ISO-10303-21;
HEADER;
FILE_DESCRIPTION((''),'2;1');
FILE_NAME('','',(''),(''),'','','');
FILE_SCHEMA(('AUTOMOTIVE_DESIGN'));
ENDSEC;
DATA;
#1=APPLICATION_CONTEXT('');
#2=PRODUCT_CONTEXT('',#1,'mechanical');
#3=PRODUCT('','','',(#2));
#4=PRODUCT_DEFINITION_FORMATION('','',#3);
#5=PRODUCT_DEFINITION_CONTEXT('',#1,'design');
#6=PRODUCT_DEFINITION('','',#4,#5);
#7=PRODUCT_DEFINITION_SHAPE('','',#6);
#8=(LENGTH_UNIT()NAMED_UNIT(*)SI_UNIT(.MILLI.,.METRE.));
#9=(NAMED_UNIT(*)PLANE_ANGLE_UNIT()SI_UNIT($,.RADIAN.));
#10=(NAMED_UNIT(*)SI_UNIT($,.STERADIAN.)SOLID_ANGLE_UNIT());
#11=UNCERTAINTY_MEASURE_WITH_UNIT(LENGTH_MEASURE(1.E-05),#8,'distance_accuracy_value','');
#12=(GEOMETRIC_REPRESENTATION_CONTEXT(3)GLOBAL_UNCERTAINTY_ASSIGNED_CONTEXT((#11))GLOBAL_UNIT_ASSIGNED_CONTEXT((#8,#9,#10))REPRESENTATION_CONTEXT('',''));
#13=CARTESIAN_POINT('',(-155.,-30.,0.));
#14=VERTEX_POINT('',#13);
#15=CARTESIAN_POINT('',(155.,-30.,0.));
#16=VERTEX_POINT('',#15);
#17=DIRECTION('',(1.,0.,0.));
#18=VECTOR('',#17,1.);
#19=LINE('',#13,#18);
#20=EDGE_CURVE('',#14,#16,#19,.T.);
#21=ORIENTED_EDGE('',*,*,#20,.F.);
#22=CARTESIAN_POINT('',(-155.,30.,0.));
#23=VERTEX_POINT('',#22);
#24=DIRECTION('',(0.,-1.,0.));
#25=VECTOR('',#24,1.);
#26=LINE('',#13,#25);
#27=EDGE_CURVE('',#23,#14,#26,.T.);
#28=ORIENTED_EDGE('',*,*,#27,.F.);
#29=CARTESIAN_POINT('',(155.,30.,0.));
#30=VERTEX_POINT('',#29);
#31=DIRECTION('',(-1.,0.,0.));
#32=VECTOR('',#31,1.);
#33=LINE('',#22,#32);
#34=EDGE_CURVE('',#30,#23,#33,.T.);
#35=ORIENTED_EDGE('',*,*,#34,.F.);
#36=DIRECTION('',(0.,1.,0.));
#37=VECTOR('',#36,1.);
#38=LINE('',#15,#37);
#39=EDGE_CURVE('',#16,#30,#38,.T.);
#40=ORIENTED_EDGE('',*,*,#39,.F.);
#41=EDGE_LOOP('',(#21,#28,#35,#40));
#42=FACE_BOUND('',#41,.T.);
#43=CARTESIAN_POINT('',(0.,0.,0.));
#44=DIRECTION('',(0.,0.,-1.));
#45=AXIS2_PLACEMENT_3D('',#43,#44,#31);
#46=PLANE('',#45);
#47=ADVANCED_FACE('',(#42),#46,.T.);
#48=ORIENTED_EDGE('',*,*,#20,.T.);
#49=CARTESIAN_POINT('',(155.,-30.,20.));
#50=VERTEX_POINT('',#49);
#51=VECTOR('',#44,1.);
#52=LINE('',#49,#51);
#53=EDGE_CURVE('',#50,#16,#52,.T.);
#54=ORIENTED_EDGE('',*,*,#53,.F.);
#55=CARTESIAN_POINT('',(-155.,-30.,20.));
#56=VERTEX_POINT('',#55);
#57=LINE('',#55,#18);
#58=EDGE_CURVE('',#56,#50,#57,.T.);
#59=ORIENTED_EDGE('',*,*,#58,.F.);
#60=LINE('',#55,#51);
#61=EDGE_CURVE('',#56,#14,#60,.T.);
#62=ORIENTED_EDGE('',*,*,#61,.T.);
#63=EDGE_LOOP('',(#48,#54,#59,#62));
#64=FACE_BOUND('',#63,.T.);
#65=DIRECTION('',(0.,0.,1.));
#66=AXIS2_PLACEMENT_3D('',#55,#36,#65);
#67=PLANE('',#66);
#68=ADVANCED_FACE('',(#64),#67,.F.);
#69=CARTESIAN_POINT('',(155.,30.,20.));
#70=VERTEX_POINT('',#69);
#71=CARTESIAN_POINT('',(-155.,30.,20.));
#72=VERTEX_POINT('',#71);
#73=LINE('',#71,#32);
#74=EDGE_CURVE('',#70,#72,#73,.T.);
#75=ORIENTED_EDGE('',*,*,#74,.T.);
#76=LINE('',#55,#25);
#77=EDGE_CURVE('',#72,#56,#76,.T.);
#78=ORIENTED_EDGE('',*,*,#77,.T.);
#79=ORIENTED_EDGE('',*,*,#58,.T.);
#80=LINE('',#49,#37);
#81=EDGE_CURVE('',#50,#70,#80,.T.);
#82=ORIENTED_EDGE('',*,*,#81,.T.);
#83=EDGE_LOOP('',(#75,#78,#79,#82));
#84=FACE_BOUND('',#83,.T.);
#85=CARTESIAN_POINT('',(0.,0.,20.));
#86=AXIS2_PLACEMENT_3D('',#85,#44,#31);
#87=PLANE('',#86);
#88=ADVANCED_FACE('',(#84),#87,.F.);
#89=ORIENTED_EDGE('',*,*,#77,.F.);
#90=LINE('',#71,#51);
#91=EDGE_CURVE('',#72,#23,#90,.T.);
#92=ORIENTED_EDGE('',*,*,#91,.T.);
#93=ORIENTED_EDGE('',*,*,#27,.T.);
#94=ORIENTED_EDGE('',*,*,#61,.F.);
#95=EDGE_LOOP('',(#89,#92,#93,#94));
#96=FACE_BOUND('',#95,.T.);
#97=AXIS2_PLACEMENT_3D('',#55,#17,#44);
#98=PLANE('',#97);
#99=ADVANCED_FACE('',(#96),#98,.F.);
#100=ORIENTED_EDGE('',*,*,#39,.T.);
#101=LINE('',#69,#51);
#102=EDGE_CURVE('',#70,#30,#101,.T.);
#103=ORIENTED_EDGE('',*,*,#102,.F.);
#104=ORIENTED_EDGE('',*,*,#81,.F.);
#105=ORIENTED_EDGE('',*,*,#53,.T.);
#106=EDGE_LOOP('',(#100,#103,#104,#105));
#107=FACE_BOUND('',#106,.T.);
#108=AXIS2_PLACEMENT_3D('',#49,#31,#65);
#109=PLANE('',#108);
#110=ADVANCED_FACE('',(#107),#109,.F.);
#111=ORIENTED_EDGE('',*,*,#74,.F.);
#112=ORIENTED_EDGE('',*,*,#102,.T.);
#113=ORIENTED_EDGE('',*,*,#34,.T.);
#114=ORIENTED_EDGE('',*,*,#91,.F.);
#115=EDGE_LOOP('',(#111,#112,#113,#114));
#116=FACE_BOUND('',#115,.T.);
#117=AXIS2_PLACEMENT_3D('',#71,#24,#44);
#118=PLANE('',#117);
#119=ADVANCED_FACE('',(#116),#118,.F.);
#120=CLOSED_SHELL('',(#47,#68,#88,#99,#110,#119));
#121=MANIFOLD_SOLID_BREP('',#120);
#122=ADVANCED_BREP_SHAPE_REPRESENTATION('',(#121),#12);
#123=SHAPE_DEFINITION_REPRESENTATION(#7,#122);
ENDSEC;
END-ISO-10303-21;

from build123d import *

# Parameters (mm, degrees)
SKETCH_1_W      = 310
SKETCH_1_H      = 60
EXTRUDE_1_DEPTH = 20


with BuildPart() as part:
    # 草图1 → 凸台-拉伸1 (new body)
    with BuildSketch(Plane.XY):
        Rectangle(SKETCH_1_W, SKETCH_1_H)
    extrude(amount=EXTRUDE_1_DEPTH)


solid = part.part
